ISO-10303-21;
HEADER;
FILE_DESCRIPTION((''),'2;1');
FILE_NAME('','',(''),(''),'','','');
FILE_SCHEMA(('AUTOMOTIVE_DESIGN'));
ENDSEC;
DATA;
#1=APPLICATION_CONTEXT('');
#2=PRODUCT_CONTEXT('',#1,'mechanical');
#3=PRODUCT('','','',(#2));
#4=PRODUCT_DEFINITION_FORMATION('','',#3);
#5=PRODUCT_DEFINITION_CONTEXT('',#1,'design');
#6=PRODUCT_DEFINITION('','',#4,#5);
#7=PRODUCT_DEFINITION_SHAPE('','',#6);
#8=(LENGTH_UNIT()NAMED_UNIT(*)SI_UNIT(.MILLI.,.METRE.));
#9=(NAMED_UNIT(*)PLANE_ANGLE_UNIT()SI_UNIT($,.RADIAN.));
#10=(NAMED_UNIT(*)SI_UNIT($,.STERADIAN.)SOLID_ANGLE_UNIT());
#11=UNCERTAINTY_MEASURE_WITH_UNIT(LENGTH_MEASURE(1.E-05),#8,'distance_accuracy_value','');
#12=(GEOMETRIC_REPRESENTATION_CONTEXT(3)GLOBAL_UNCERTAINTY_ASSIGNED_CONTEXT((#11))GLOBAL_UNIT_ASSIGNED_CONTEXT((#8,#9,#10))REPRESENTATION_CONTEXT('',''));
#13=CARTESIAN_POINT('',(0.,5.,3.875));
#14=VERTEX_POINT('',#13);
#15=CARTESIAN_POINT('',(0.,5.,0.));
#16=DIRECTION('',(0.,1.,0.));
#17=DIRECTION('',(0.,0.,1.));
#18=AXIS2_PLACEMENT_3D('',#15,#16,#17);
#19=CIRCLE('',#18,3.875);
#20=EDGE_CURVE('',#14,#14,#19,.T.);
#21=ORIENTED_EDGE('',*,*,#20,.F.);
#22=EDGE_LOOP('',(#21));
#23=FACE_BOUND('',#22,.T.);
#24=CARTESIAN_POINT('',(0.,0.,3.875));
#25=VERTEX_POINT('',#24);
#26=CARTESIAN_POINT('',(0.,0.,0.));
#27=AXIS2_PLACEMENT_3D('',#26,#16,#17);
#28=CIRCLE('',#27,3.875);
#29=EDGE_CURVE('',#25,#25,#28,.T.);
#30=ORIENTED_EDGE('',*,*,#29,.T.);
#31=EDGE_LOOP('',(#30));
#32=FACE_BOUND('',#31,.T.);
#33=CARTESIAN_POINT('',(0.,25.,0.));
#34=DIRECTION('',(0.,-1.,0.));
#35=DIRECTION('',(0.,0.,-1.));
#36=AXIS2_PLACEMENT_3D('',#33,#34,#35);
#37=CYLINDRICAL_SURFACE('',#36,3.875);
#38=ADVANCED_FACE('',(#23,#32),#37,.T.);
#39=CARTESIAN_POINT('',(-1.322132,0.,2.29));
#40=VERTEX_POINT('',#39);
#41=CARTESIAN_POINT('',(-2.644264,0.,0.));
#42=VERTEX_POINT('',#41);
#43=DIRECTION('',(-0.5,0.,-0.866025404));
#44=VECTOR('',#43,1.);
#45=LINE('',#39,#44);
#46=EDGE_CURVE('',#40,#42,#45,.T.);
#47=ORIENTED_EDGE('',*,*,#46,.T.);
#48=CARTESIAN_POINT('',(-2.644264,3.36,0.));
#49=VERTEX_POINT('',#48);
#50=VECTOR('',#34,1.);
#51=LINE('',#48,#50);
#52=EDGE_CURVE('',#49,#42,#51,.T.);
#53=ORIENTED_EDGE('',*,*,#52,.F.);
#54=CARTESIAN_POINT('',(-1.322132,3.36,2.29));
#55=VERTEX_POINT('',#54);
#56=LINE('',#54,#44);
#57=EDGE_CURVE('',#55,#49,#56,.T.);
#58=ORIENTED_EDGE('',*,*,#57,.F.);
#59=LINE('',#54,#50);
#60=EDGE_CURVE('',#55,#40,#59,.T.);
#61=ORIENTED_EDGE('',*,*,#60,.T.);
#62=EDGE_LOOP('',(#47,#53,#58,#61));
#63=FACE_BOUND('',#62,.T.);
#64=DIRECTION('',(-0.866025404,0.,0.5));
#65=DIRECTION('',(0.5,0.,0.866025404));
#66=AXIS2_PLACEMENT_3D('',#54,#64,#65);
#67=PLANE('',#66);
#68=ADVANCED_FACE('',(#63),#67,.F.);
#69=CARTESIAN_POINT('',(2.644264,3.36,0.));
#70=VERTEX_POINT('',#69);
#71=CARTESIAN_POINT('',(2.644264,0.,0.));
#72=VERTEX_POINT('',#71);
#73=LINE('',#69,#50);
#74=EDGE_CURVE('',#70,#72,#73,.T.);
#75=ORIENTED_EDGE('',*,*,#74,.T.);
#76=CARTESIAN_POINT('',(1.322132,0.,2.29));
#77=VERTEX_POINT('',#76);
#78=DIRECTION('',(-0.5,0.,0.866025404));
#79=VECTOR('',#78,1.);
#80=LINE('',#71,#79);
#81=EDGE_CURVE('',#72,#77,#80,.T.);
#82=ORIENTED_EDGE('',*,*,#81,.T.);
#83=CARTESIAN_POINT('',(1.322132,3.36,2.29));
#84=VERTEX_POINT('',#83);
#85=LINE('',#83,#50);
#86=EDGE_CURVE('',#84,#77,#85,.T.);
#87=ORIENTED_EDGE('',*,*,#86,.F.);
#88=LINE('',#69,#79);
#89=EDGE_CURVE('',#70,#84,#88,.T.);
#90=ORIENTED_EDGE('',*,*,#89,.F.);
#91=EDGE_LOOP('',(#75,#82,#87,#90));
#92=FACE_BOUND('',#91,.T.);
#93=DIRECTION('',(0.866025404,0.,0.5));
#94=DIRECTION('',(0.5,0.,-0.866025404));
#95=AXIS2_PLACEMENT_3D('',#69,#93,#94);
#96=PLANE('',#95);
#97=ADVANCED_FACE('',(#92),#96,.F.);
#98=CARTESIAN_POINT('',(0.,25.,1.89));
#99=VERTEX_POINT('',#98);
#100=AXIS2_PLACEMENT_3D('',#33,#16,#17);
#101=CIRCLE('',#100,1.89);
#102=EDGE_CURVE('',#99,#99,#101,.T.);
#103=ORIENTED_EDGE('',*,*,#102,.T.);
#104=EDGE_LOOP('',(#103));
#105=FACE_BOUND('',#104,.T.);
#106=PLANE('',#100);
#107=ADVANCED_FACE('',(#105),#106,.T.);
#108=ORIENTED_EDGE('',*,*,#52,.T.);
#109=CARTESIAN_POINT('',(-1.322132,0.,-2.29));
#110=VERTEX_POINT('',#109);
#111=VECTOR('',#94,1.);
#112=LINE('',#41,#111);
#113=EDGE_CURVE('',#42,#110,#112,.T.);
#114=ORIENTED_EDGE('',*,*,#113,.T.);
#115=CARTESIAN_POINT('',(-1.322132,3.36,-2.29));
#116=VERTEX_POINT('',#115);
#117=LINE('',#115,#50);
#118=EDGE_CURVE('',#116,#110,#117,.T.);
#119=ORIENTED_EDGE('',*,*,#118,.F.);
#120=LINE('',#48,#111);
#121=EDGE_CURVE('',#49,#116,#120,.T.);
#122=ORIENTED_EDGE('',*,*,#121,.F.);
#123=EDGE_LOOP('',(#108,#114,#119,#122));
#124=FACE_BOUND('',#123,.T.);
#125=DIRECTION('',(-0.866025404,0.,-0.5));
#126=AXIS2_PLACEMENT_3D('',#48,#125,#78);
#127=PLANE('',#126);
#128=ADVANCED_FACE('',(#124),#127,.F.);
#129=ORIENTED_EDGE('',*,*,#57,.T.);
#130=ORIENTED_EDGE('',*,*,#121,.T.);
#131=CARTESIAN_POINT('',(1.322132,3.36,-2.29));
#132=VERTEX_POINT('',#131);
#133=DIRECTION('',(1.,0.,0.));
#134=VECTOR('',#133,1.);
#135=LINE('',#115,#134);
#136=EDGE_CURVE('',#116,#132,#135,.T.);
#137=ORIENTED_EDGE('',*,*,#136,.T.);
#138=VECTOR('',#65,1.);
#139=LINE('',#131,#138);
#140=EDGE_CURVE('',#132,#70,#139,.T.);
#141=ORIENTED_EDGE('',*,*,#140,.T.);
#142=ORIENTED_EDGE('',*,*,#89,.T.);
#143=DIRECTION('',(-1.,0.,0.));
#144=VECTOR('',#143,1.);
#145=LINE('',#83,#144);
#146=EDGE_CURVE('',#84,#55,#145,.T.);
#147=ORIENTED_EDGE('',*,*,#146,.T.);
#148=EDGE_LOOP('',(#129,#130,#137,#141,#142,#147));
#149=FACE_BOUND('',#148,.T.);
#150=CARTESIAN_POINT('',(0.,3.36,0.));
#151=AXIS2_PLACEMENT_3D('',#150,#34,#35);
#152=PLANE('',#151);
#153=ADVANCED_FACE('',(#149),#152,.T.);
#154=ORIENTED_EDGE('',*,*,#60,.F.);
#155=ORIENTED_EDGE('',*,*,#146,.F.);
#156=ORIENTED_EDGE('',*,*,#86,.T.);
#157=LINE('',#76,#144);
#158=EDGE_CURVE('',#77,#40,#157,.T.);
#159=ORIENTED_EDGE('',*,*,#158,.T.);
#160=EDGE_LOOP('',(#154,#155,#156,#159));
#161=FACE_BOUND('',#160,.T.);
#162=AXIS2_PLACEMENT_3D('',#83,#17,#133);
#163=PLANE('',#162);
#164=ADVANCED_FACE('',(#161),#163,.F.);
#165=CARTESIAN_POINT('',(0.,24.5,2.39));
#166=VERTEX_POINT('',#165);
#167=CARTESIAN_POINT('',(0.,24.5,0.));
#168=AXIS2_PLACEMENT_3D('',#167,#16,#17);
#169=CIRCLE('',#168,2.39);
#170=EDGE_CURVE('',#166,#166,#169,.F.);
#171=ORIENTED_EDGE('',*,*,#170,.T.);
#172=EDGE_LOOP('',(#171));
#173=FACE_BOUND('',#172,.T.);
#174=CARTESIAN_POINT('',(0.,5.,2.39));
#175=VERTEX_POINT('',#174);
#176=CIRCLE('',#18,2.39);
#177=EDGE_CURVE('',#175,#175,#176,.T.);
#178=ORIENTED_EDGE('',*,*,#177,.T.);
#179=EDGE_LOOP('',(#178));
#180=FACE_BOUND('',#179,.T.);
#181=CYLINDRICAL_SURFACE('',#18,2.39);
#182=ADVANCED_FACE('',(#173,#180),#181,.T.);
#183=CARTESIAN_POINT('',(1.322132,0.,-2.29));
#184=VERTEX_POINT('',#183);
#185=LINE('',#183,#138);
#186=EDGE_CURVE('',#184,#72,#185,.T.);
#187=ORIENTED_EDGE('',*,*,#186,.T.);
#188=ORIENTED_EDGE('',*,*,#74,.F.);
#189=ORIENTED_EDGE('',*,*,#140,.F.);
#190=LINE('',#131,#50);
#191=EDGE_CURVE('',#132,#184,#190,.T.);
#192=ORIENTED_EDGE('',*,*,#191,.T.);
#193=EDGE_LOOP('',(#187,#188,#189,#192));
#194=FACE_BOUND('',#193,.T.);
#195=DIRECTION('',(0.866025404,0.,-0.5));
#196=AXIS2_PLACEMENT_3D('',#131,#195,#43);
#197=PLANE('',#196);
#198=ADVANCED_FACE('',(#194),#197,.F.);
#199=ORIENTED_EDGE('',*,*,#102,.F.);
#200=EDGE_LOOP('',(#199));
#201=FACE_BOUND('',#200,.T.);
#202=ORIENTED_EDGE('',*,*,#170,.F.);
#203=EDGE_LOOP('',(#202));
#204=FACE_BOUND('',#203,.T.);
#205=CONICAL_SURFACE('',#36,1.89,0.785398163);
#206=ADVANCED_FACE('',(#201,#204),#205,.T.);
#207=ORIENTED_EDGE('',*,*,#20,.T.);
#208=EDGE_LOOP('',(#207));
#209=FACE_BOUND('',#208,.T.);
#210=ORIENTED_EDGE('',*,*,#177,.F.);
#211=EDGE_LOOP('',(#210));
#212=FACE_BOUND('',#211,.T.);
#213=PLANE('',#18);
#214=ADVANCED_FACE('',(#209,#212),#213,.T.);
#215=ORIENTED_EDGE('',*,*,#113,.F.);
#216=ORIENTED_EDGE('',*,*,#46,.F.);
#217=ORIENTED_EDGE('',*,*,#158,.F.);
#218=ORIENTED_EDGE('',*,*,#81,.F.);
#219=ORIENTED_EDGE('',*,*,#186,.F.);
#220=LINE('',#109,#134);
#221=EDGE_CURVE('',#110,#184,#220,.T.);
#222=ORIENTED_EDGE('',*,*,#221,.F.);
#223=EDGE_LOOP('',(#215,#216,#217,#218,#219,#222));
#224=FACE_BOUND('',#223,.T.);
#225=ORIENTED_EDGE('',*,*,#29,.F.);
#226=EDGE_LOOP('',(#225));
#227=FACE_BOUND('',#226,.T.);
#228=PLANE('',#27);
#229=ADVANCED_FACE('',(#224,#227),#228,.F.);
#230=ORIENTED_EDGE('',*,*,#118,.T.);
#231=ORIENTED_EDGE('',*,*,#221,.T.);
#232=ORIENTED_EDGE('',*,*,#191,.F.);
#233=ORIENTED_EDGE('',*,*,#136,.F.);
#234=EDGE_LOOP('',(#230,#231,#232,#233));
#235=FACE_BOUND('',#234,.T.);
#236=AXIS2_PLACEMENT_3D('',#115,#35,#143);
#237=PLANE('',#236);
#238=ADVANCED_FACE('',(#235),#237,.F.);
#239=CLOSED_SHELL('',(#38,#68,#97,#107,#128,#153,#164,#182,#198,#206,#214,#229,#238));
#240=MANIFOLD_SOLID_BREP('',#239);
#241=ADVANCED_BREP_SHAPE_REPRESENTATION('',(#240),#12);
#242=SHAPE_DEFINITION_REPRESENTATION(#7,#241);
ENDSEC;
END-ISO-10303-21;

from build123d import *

# Parameters (mm, degrees)
SKETCH1_R           = 3.875
BOSS_EXTRUDE1_DEPTH = 25
SKETCH2_OUTSIDE_W   = 15.21
SKETCH2_OUTSIDE_H   = 15.21
SKETCH2_OUTSIDE_R   = 2.39
CUT_EXTRUDE1_DEPTH  = 20
CHAMFER1_SIZE       = 0.5
CUT_EXTRUDE2_DEPTH  = 3.36


with BuildPart() as part:
    # Sketch1 → Boss-Extrude1 (new body)
    with BuildSketch(Plane(origin=(0, 0, 0), x_dir=(1, 0, 0), z_dir=(0, 1, 0))):
        with Locations(Location((0, 0, 0), (0, 0, 270))):
            Circle(SKETCH1_R)
    extrude(amount=BOSS_EXTRUDE1_DEPTH)

    # Sketch2 outside → Cut-Extrude1 (cut)
    with BuildSketch(Plane(origin=(0, 25, 0), x_dir=(1, 0, 0), z_dir=(0, 1, 0))):
        Rectangle(SKETCH2_OUTSIDE_W, SKETCH2_OUTSIDE_H)
        with Locations(Location((0, 0, 0), (0, 0, 270))):
            Circle(SKETCH2_OUTSIDE_R, mode=Mode.SUBTRACT)
    extrude(amount=-CUT_EXTRUDE1_DEPTH, mode=Mode.SUBTRACT)

    # Chamfer1
    chamfer1_edges = [part.edges().sort_by_distance(p)[0] for p in [
        (0, 25, -2.39),
    ]]
    chamfer(chamfer1_edges, length=CHAMFER1_SIZE)

    # Sketch8 → Cut-Extrude2 (cut)
    with BuildSketch(Plane.XZ):
        Polygon((2.644264233, 0), (1.322132116, 2.29), (-1.322132116, 2.29), (-2.644264233, 0), (-1.322132116, -2.29), (1.322132116, -2.29), align=None)
    extrude(amount=-CUT_EXTRUDE2_DEPTH, mode=Mode.SUBTRACT)


solid = part.part
